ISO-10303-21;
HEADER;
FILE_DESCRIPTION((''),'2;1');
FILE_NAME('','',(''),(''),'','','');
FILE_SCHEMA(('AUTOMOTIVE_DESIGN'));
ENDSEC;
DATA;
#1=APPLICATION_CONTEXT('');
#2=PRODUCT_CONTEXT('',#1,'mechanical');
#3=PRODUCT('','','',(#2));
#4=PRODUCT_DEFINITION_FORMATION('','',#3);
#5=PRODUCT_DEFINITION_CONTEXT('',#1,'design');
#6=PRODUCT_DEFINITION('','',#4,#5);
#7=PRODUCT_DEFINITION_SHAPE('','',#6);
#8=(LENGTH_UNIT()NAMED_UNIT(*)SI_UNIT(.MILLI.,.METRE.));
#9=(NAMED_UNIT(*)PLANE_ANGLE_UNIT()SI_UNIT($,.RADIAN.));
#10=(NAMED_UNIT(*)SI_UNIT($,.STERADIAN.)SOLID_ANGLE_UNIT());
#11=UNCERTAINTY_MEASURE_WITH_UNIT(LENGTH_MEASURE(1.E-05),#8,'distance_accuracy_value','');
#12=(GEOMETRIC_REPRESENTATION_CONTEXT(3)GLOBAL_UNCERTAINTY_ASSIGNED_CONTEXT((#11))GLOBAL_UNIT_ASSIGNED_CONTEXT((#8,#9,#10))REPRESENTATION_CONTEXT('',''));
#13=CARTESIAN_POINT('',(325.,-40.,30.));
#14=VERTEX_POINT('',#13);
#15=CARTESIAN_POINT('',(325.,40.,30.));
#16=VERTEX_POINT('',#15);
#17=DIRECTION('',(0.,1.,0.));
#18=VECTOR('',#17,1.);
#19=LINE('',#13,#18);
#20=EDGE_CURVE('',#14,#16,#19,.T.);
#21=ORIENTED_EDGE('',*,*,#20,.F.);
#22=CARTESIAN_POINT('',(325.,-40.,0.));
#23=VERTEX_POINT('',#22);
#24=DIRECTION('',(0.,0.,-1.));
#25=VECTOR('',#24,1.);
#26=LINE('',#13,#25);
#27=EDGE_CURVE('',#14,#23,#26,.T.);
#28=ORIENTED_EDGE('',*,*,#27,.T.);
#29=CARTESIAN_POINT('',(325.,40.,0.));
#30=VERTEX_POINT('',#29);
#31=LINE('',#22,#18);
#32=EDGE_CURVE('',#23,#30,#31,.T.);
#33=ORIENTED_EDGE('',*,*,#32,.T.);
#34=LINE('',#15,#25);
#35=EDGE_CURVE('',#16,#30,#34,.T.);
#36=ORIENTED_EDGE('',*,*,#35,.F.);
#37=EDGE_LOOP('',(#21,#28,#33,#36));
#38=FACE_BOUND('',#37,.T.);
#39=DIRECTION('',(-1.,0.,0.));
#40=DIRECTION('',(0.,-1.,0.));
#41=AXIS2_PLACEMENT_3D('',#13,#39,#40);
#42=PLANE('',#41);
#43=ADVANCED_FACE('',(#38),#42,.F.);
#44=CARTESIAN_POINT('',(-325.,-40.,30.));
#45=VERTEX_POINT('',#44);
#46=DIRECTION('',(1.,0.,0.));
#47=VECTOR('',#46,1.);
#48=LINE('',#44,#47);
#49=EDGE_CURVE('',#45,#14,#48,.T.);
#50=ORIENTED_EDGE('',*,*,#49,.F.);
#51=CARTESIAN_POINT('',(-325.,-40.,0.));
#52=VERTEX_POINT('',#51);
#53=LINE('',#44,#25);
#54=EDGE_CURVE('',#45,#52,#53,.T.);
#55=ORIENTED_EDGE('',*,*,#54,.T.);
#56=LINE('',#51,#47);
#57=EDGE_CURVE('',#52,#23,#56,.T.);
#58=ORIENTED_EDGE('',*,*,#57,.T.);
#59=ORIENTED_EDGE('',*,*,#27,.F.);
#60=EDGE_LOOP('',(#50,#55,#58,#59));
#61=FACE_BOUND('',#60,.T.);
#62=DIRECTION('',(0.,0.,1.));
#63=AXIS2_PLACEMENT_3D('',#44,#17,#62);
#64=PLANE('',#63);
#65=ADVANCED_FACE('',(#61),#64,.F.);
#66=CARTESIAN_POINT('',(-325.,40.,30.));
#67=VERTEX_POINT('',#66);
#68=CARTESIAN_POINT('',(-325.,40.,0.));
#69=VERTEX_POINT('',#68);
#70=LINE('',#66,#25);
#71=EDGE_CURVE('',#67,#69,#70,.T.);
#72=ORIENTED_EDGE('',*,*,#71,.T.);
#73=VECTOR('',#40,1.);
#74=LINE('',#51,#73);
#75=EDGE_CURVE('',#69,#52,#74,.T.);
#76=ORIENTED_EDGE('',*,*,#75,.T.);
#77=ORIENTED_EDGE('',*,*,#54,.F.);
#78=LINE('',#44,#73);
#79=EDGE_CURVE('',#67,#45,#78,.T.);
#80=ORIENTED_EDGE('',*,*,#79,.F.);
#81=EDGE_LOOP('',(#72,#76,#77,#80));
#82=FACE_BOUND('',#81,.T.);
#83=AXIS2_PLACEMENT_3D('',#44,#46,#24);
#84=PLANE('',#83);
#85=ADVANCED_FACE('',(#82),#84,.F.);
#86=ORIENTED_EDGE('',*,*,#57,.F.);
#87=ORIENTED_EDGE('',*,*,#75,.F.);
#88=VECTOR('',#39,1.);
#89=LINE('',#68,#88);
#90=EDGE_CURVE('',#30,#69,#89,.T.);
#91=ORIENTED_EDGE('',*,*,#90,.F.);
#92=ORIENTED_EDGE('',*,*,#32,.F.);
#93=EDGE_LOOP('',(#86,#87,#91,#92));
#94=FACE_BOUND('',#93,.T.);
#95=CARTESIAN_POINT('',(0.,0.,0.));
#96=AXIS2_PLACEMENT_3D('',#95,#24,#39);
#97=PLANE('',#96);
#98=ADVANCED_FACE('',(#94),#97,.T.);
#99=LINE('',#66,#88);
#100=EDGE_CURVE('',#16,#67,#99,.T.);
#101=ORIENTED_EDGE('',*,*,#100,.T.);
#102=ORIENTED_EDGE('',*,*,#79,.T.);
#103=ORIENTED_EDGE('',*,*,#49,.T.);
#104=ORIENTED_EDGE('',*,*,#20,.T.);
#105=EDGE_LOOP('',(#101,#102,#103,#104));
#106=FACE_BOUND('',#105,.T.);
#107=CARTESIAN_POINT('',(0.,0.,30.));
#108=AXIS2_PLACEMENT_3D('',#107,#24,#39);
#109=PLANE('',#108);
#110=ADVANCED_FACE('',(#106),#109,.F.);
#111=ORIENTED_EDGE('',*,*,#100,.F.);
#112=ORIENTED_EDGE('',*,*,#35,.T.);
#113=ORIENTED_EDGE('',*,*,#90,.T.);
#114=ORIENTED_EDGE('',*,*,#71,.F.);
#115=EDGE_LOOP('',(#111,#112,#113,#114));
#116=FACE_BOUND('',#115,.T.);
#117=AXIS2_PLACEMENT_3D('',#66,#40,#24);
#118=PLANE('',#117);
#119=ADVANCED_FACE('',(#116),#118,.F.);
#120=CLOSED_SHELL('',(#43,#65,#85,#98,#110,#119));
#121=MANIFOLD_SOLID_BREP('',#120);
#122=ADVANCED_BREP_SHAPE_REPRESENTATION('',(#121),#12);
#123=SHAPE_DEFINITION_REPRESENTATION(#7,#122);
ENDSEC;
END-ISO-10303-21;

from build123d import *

# Parameters (mm, degrees)
SKETCH1_W           = 650
SKETCH1_H           = 80
BOSS_EXTRUDE1_DEPTH = 30


with BuildPart() as part:
    # Sketch1 → Boss-Extrude1 (new body)
    with BuildSketch(Plane.XY):
        Rectangle(SKETCH1_W, SKETCH1_H)
    extrude(amount=BOSS_EXTRUDE1_DEPTH)


solid = part.part
